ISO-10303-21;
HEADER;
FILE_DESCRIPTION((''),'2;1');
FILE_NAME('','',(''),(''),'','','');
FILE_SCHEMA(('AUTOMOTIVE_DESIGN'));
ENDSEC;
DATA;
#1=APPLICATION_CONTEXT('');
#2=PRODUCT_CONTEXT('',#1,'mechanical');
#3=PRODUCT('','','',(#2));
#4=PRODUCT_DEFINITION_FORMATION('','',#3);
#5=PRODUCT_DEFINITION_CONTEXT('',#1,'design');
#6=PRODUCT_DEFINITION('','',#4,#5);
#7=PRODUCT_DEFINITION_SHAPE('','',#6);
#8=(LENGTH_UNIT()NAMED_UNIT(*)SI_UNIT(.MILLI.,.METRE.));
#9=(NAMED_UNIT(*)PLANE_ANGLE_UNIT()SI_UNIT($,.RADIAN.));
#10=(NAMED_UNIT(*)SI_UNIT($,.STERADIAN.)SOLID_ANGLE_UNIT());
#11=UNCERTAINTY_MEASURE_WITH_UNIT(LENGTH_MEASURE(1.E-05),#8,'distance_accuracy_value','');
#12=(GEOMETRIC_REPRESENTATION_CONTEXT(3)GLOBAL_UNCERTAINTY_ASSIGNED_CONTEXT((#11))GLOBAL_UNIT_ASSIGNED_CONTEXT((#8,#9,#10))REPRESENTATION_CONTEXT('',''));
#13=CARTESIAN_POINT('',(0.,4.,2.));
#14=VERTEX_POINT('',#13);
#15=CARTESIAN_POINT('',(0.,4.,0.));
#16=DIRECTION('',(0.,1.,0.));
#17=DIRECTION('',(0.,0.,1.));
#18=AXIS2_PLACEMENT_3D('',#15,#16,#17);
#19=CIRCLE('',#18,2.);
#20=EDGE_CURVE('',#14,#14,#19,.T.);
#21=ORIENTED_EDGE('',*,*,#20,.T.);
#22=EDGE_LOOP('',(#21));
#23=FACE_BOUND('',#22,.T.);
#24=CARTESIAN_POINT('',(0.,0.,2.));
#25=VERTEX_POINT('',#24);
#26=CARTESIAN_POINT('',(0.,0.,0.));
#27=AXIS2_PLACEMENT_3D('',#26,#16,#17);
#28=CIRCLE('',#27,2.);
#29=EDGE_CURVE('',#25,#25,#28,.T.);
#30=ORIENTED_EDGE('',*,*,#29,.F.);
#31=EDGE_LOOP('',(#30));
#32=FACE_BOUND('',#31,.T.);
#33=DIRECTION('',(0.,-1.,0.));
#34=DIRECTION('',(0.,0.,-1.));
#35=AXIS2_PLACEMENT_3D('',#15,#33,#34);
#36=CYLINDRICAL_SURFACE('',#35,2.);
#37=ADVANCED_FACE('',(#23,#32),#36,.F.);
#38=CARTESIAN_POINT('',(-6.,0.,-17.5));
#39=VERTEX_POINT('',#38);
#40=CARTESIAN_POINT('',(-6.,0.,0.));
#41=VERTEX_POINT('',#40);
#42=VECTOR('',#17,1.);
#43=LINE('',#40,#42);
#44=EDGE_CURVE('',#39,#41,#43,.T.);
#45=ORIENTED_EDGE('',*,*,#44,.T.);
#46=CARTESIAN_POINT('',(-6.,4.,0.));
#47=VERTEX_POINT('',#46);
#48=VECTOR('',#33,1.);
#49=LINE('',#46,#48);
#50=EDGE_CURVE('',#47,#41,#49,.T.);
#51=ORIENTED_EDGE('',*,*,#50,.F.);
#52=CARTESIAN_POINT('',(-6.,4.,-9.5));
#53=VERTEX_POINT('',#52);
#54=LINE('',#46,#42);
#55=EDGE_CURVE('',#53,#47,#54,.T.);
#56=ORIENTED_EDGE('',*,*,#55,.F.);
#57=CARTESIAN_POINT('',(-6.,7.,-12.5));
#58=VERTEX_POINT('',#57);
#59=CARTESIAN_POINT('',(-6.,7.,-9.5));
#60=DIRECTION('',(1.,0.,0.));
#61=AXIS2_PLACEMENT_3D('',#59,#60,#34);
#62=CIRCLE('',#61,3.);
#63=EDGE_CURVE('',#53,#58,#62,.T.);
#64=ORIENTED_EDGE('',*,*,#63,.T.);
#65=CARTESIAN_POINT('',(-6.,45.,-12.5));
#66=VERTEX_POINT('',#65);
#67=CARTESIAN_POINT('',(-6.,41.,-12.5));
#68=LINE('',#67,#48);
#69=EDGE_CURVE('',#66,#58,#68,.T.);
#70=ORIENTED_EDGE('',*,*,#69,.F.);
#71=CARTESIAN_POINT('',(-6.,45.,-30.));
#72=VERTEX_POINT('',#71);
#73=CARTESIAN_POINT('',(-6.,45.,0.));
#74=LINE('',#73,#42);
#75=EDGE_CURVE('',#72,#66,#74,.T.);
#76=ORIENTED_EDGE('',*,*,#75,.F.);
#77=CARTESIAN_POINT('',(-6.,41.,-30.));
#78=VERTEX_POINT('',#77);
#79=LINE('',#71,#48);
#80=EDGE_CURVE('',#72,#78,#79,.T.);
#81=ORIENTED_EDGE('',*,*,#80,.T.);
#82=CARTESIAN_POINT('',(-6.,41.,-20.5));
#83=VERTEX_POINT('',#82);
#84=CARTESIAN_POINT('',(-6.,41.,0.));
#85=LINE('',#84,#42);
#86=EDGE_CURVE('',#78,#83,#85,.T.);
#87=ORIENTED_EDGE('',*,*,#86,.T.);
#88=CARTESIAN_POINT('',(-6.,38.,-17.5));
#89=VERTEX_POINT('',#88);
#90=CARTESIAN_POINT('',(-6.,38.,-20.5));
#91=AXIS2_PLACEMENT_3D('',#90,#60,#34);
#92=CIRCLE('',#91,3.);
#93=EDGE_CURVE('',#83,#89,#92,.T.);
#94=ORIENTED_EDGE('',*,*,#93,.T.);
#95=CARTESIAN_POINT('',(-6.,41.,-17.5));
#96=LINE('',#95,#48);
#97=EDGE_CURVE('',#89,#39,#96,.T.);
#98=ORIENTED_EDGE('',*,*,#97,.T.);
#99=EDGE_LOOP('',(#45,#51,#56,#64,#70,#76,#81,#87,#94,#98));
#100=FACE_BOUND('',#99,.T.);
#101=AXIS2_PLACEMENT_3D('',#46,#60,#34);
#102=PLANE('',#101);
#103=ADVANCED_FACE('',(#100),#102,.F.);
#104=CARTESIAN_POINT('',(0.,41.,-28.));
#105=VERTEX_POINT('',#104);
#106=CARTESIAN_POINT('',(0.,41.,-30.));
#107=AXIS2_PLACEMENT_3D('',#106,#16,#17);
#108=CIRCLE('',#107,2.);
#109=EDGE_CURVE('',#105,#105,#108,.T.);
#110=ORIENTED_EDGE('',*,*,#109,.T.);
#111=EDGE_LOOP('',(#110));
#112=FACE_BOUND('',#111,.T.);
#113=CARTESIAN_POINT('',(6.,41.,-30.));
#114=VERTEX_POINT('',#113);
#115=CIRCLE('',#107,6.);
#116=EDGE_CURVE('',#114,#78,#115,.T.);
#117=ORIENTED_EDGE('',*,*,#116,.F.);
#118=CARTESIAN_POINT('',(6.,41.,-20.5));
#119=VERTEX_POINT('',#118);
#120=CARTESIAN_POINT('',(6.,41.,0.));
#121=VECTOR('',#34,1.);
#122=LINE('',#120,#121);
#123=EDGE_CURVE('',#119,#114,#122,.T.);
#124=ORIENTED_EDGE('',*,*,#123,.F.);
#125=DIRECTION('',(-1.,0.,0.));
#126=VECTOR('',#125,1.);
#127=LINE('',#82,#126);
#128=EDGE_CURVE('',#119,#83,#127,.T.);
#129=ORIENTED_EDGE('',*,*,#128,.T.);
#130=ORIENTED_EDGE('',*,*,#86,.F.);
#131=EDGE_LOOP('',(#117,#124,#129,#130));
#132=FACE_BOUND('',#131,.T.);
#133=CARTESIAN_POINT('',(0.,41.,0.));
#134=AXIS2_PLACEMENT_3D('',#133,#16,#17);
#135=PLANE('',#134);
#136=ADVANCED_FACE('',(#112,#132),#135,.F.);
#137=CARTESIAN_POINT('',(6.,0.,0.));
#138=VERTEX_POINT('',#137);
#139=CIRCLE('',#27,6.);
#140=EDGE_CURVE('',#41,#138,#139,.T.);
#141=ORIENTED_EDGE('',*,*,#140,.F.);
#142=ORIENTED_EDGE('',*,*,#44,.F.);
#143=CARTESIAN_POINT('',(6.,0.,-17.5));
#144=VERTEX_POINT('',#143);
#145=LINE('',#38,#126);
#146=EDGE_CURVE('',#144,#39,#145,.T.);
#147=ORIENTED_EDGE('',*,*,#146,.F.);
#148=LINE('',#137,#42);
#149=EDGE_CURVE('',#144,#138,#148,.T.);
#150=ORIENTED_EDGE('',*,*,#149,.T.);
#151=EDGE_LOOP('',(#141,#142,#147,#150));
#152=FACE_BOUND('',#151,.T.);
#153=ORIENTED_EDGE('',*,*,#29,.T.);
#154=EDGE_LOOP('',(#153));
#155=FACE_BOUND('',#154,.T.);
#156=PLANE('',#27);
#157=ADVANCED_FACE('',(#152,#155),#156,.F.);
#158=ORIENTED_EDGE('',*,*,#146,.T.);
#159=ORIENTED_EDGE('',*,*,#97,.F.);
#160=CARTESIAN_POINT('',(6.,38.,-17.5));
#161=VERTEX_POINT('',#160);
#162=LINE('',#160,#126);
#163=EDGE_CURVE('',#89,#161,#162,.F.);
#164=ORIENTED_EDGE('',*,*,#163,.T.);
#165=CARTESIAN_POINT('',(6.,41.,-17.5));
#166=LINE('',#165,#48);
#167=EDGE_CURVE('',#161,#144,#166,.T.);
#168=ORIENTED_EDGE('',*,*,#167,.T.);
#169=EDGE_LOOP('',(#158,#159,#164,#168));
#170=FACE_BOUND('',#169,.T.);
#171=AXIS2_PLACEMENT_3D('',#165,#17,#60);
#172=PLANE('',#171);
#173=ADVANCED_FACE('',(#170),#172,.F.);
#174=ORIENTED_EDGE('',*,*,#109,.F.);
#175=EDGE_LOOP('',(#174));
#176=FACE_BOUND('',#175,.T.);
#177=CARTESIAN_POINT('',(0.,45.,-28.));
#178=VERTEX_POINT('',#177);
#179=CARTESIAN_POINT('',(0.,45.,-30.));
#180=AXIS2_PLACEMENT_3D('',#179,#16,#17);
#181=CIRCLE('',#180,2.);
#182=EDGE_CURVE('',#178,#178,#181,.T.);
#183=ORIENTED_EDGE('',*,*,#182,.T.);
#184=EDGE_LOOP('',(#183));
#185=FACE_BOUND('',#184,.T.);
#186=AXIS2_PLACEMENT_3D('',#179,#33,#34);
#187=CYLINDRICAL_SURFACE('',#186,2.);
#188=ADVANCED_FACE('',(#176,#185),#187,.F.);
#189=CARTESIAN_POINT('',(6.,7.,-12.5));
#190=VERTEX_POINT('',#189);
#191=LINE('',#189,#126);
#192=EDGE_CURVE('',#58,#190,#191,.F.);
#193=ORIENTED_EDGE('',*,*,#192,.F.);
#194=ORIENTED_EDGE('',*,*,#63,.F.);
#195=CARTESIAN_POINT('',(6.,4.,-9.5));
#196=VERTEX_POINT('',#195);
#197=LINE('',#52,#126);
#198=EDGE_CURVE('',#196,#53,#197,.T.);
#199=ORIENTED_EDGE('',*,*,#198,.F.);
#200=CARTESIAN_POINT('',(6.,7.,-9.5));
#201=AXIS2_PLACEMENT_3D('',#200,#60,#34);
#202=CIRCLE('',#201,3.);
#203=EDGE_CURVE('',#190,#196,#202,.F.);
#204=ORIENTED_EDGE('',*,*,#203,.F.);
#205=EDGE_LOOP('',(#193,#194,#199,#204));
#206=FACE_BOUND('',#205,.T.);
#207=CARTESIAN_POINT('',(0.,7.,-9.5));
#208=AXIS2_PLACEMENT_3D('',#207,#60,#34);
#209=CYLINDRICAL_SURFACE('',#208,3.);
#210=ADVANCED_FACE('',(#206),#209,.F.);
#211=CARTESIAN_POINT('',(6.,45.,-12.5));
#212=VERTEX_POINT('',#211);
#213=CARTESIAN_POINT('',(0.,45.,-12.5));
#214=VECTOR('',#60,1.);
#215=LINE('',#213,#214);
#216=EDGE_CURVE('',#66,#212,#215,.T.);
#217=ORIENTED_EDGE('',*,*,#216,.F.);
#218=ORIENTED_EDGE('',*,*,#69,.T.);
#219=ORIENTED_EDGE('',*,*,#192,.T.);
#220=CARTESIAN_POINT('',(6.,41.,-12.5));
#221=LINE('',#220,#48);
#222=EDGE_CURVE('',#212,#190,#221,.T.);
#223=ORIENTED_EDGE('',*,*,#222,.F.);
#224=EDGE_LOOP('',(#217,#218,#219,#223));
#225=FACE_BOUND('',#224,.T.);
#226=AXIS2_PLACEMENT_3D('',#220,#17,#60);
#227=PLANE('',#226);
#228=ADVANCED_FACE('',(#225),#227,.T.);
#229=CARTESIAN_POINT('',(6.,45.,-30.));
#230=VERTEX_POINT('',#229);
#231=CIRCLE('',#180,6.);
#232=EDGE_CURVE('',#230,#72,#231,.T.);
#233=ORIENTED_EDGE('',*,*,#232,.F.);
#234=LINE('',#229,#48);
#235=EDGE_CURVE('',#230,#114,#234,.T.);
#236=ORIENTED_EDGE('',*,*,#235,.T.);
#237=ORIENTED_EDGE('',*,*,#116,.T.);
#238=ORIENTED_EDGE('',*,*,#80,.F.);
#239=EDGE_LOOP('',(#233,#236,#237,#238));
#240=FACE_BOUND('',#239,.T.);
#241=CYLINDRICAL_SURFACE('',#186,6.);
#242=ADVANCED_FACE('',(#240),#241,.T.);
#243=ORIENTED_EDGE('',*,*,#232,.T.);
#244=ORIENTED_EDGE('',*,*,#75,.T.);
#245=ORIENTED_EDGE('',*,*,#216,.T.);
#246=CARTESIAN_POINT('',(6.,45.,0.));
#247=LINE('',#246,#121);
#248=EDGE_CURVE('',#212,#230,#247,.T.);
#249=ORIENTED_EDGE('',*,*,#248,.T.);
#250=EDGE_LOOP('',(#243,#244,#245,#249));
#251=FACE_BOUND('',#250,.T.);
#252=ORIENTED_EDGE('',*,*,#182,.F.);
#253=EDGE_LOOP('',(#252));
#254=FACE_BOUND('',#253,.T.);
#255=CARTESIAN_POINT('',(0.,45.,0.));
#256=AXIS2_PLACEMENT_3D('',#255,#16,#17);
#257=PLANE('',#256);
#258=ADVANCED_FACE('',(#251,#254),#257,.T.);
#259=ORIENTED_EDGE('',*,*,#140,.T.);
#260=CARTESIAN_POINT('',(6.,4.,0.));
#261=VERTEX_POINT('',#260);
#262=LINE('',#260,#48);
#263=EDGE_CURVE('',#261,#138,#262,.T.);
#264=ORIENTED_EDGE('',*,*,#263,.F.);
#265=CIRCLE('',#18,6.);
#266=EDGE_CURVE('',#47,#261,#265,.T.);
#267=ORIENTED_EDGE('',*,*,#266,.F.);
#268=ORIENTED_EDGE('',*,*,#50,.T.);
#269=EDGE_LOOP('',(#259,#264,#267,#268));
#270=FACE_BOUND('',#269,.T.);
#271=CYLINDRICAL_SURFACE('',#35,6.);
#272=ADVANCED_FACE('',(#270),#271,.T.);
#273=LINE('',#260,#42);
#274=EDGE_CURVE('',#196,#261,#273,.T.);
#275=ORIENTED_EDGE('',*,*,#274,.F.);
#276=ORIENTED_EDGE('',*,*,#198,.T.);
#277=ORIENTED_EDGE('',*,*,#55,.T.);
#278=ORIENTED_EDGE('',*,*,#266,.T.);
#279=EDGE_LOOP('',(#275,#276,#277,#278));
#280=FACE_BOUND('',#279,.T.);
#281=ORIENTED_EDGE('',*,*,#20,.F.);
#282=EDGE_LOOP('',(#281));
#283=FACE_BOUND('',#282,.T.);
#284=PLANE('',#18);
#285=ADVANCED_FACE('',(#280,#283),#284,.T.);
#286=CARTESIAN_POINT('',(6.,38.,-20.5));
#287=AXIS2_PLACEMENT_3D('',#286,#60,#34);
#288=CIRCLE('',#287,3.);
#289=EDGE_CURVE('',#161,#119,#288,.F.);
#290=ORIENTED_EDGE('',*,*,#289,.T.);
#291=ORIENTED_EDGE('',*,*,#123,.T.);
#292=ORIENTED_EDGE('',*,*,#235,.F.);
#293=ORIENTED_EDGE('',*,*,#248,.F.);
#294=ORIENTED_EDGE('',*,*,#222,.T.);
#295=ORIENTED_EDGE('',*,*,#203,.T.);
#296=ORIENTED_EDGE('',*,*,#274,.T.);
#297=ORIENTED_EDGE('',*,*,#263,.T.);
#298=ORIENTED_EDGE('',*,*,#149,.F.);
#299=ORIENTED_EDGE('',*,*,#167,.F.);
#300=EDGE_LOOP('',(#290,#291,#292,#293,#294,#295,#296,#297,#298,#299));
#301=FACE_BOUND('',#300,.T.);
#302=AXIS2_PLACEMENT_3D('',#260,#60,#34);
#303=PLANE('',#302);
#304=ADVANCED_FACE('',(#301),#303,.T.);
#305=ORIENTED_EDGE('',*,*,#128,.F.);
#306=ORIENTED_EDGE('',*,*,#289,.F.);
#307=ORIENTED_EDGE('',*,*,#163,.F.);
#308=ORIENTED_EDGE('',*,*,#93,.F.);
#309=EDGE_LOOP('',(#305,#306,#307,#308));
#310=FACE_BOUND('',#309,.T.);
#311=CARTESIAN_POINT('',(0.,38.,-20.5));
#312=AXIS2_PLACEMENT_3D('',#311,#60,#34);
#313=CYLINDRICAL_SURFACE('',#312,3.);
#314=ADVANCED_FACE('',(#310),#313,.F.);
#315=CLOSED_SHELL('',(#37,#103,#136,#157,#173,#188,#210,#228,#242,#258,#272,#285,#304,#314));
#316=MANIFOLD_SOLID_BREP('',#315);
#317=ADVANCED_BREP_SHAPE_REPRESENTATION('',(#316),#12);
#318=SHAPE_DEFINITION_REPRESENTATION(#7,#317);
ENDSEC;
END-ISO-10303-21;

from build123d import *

# Parameters (mm, degrees)
SKETCH1_R                      = 2
BOSS_EXTRUDE1_DEPTH            = 4
SKETCH2_W                      = 12
SKETCH2_H                      = 5
BOSS_EXTRUDE2_DEPTH            = 37
SKETCH3_R                      = 2
SKETCH3_W                      = 12
SKETCH3_H                      = 5
BOSS_EXTRUDE3_DEPTH            = 4
FILLET1_R                      = 3
CUT_EXTRUDE1_REACH             = 56.891
SKETCH4_W                      = 12
SKETCH4_H                      = 19.420745895
CUT_EXTRUDE1_DIRECTION_2_DEPTH = 10


with BuildPart() as part:
    # Sketch1 → Boss-Extrude1 (new body)
    with BuildSketch(Plane(origin=(0, 0, 0), x_dir=(1, 0, 0), z_dir=(0, 1, 0))):
        with BuildLine():
            ThreePointArc((6, 30), (0, 36), (-6, 30))
            Line((-6, 30), (-6, 0))
            ThreePointArc((-6, 0), (0, -6), (6, 0))
            Line((6, 0), (6, 30))
        make_face()
        with Locations(Location((0, 30, 0), (0, 0, 270))):
            Circle(SKETCH1_R, mode=Mode.SUBTRACT)
        with Locations(Location((0, 0, 0), (0, 0, 270))):
            Circle(SKETCH1_R, mode=Mode.SUBTRACT)
    extrude(amount=BOSS_EXTRUDE1_DEPTH)

    # Sketch2 → Boss-Extrude2 (add)
    with BuildSketch(Plane(origin=(0, 4, 0), x_dir=(1, 0, 0), z_dir=(0, 1, 0))):
        with Locations((0, 15)):
            Rectangle(SKETCH2_W, SKETCH2_H)
    extrude(amount=BOSS_EXTRUDE2_DEPTH)

    # Sketch3 → Boss-Extrude3 (add)
    # profile 1 of 2: a face of its own
    with BuildSketch(Plane(origin=(0, 41, 0), x_dir=(1, 0, 0), z_dir=(0, 1, 0))):
        with BuildLine():
            Line((6, 17.5), (6, 30))
            ThreePointArc((6, 30), (0, 36), (-6, 30))
            Line((-6, 30), (-6, 17.5))
            Line((-6, 17.5), (6, 17.5))
        make_face()
        with Locations(Location((0, 30, 0), (0, 0, 270))):
            Circle(SKETCH3_R, mode=Mode.SUBTRACT)
    # profile 2 of 2: a face of its own
    with BuildSketch(Plane(origin=(0, 41, 0), x_dir=(1, 0, 0), z_dir=(0, 1, 0))):
        with Locations((0, 15)):
            Rectangle(SKETCH3_W, SKETCH3_H)
    extrude(amount=BOSS_EXTRUDE3_DEPTH)

    # Fillet1
    fillet1_edges = [part.edges().sort_by_distance(p)[0] for p in [
        (0, 4, -17.5),
        (0, 41, -17.5),
        (0, 4, -12.5),
    ]]
    fillet(fillet1_edges, radius=FILLET1_R)

    # Sketch4 → Cut-Extrude1 (cut, up to next)
    with BuildSketch(Plane(origin=(0, 4, 0), x_dir=(1, 0, 0), z_dir=(0, 1, 0)), mode=Mode.PRIVATE) as cut_extrude1_sk1:
        with Locations((0, 27.210372948)):
            Rectangle(SKETCH4_W, SKETCH4_H)
    cut_extrude1_tool1 = extrude(cut_extrude1_sk1.sketch, amount=-CUT_EXTRUDE1_REACH, mode=Mode.PRIVATE) & part.part
    add(cut_extrude1_tool1.solids().sort_by_distance((0, 4, -27.210373))[0], mode=Mode.SUBTRACT)

    # Sketch4 → Cut-Extrude1 direction 2 (cut)
    with BuildSketch(Plane(origin=(0, 4, 0), x_dir=(1, 0, 0), z_dir=(0, 1, 0))):
        with Locations((0, 27.210372948)):
            Rectangle(SKETCH4_W, SKETCH4_H)
    extrude(amount=CUT_EXTRUDE1_DIRECTION_2_DEPTH, mode=Mode.SUBTRACT)


solid = part.part
